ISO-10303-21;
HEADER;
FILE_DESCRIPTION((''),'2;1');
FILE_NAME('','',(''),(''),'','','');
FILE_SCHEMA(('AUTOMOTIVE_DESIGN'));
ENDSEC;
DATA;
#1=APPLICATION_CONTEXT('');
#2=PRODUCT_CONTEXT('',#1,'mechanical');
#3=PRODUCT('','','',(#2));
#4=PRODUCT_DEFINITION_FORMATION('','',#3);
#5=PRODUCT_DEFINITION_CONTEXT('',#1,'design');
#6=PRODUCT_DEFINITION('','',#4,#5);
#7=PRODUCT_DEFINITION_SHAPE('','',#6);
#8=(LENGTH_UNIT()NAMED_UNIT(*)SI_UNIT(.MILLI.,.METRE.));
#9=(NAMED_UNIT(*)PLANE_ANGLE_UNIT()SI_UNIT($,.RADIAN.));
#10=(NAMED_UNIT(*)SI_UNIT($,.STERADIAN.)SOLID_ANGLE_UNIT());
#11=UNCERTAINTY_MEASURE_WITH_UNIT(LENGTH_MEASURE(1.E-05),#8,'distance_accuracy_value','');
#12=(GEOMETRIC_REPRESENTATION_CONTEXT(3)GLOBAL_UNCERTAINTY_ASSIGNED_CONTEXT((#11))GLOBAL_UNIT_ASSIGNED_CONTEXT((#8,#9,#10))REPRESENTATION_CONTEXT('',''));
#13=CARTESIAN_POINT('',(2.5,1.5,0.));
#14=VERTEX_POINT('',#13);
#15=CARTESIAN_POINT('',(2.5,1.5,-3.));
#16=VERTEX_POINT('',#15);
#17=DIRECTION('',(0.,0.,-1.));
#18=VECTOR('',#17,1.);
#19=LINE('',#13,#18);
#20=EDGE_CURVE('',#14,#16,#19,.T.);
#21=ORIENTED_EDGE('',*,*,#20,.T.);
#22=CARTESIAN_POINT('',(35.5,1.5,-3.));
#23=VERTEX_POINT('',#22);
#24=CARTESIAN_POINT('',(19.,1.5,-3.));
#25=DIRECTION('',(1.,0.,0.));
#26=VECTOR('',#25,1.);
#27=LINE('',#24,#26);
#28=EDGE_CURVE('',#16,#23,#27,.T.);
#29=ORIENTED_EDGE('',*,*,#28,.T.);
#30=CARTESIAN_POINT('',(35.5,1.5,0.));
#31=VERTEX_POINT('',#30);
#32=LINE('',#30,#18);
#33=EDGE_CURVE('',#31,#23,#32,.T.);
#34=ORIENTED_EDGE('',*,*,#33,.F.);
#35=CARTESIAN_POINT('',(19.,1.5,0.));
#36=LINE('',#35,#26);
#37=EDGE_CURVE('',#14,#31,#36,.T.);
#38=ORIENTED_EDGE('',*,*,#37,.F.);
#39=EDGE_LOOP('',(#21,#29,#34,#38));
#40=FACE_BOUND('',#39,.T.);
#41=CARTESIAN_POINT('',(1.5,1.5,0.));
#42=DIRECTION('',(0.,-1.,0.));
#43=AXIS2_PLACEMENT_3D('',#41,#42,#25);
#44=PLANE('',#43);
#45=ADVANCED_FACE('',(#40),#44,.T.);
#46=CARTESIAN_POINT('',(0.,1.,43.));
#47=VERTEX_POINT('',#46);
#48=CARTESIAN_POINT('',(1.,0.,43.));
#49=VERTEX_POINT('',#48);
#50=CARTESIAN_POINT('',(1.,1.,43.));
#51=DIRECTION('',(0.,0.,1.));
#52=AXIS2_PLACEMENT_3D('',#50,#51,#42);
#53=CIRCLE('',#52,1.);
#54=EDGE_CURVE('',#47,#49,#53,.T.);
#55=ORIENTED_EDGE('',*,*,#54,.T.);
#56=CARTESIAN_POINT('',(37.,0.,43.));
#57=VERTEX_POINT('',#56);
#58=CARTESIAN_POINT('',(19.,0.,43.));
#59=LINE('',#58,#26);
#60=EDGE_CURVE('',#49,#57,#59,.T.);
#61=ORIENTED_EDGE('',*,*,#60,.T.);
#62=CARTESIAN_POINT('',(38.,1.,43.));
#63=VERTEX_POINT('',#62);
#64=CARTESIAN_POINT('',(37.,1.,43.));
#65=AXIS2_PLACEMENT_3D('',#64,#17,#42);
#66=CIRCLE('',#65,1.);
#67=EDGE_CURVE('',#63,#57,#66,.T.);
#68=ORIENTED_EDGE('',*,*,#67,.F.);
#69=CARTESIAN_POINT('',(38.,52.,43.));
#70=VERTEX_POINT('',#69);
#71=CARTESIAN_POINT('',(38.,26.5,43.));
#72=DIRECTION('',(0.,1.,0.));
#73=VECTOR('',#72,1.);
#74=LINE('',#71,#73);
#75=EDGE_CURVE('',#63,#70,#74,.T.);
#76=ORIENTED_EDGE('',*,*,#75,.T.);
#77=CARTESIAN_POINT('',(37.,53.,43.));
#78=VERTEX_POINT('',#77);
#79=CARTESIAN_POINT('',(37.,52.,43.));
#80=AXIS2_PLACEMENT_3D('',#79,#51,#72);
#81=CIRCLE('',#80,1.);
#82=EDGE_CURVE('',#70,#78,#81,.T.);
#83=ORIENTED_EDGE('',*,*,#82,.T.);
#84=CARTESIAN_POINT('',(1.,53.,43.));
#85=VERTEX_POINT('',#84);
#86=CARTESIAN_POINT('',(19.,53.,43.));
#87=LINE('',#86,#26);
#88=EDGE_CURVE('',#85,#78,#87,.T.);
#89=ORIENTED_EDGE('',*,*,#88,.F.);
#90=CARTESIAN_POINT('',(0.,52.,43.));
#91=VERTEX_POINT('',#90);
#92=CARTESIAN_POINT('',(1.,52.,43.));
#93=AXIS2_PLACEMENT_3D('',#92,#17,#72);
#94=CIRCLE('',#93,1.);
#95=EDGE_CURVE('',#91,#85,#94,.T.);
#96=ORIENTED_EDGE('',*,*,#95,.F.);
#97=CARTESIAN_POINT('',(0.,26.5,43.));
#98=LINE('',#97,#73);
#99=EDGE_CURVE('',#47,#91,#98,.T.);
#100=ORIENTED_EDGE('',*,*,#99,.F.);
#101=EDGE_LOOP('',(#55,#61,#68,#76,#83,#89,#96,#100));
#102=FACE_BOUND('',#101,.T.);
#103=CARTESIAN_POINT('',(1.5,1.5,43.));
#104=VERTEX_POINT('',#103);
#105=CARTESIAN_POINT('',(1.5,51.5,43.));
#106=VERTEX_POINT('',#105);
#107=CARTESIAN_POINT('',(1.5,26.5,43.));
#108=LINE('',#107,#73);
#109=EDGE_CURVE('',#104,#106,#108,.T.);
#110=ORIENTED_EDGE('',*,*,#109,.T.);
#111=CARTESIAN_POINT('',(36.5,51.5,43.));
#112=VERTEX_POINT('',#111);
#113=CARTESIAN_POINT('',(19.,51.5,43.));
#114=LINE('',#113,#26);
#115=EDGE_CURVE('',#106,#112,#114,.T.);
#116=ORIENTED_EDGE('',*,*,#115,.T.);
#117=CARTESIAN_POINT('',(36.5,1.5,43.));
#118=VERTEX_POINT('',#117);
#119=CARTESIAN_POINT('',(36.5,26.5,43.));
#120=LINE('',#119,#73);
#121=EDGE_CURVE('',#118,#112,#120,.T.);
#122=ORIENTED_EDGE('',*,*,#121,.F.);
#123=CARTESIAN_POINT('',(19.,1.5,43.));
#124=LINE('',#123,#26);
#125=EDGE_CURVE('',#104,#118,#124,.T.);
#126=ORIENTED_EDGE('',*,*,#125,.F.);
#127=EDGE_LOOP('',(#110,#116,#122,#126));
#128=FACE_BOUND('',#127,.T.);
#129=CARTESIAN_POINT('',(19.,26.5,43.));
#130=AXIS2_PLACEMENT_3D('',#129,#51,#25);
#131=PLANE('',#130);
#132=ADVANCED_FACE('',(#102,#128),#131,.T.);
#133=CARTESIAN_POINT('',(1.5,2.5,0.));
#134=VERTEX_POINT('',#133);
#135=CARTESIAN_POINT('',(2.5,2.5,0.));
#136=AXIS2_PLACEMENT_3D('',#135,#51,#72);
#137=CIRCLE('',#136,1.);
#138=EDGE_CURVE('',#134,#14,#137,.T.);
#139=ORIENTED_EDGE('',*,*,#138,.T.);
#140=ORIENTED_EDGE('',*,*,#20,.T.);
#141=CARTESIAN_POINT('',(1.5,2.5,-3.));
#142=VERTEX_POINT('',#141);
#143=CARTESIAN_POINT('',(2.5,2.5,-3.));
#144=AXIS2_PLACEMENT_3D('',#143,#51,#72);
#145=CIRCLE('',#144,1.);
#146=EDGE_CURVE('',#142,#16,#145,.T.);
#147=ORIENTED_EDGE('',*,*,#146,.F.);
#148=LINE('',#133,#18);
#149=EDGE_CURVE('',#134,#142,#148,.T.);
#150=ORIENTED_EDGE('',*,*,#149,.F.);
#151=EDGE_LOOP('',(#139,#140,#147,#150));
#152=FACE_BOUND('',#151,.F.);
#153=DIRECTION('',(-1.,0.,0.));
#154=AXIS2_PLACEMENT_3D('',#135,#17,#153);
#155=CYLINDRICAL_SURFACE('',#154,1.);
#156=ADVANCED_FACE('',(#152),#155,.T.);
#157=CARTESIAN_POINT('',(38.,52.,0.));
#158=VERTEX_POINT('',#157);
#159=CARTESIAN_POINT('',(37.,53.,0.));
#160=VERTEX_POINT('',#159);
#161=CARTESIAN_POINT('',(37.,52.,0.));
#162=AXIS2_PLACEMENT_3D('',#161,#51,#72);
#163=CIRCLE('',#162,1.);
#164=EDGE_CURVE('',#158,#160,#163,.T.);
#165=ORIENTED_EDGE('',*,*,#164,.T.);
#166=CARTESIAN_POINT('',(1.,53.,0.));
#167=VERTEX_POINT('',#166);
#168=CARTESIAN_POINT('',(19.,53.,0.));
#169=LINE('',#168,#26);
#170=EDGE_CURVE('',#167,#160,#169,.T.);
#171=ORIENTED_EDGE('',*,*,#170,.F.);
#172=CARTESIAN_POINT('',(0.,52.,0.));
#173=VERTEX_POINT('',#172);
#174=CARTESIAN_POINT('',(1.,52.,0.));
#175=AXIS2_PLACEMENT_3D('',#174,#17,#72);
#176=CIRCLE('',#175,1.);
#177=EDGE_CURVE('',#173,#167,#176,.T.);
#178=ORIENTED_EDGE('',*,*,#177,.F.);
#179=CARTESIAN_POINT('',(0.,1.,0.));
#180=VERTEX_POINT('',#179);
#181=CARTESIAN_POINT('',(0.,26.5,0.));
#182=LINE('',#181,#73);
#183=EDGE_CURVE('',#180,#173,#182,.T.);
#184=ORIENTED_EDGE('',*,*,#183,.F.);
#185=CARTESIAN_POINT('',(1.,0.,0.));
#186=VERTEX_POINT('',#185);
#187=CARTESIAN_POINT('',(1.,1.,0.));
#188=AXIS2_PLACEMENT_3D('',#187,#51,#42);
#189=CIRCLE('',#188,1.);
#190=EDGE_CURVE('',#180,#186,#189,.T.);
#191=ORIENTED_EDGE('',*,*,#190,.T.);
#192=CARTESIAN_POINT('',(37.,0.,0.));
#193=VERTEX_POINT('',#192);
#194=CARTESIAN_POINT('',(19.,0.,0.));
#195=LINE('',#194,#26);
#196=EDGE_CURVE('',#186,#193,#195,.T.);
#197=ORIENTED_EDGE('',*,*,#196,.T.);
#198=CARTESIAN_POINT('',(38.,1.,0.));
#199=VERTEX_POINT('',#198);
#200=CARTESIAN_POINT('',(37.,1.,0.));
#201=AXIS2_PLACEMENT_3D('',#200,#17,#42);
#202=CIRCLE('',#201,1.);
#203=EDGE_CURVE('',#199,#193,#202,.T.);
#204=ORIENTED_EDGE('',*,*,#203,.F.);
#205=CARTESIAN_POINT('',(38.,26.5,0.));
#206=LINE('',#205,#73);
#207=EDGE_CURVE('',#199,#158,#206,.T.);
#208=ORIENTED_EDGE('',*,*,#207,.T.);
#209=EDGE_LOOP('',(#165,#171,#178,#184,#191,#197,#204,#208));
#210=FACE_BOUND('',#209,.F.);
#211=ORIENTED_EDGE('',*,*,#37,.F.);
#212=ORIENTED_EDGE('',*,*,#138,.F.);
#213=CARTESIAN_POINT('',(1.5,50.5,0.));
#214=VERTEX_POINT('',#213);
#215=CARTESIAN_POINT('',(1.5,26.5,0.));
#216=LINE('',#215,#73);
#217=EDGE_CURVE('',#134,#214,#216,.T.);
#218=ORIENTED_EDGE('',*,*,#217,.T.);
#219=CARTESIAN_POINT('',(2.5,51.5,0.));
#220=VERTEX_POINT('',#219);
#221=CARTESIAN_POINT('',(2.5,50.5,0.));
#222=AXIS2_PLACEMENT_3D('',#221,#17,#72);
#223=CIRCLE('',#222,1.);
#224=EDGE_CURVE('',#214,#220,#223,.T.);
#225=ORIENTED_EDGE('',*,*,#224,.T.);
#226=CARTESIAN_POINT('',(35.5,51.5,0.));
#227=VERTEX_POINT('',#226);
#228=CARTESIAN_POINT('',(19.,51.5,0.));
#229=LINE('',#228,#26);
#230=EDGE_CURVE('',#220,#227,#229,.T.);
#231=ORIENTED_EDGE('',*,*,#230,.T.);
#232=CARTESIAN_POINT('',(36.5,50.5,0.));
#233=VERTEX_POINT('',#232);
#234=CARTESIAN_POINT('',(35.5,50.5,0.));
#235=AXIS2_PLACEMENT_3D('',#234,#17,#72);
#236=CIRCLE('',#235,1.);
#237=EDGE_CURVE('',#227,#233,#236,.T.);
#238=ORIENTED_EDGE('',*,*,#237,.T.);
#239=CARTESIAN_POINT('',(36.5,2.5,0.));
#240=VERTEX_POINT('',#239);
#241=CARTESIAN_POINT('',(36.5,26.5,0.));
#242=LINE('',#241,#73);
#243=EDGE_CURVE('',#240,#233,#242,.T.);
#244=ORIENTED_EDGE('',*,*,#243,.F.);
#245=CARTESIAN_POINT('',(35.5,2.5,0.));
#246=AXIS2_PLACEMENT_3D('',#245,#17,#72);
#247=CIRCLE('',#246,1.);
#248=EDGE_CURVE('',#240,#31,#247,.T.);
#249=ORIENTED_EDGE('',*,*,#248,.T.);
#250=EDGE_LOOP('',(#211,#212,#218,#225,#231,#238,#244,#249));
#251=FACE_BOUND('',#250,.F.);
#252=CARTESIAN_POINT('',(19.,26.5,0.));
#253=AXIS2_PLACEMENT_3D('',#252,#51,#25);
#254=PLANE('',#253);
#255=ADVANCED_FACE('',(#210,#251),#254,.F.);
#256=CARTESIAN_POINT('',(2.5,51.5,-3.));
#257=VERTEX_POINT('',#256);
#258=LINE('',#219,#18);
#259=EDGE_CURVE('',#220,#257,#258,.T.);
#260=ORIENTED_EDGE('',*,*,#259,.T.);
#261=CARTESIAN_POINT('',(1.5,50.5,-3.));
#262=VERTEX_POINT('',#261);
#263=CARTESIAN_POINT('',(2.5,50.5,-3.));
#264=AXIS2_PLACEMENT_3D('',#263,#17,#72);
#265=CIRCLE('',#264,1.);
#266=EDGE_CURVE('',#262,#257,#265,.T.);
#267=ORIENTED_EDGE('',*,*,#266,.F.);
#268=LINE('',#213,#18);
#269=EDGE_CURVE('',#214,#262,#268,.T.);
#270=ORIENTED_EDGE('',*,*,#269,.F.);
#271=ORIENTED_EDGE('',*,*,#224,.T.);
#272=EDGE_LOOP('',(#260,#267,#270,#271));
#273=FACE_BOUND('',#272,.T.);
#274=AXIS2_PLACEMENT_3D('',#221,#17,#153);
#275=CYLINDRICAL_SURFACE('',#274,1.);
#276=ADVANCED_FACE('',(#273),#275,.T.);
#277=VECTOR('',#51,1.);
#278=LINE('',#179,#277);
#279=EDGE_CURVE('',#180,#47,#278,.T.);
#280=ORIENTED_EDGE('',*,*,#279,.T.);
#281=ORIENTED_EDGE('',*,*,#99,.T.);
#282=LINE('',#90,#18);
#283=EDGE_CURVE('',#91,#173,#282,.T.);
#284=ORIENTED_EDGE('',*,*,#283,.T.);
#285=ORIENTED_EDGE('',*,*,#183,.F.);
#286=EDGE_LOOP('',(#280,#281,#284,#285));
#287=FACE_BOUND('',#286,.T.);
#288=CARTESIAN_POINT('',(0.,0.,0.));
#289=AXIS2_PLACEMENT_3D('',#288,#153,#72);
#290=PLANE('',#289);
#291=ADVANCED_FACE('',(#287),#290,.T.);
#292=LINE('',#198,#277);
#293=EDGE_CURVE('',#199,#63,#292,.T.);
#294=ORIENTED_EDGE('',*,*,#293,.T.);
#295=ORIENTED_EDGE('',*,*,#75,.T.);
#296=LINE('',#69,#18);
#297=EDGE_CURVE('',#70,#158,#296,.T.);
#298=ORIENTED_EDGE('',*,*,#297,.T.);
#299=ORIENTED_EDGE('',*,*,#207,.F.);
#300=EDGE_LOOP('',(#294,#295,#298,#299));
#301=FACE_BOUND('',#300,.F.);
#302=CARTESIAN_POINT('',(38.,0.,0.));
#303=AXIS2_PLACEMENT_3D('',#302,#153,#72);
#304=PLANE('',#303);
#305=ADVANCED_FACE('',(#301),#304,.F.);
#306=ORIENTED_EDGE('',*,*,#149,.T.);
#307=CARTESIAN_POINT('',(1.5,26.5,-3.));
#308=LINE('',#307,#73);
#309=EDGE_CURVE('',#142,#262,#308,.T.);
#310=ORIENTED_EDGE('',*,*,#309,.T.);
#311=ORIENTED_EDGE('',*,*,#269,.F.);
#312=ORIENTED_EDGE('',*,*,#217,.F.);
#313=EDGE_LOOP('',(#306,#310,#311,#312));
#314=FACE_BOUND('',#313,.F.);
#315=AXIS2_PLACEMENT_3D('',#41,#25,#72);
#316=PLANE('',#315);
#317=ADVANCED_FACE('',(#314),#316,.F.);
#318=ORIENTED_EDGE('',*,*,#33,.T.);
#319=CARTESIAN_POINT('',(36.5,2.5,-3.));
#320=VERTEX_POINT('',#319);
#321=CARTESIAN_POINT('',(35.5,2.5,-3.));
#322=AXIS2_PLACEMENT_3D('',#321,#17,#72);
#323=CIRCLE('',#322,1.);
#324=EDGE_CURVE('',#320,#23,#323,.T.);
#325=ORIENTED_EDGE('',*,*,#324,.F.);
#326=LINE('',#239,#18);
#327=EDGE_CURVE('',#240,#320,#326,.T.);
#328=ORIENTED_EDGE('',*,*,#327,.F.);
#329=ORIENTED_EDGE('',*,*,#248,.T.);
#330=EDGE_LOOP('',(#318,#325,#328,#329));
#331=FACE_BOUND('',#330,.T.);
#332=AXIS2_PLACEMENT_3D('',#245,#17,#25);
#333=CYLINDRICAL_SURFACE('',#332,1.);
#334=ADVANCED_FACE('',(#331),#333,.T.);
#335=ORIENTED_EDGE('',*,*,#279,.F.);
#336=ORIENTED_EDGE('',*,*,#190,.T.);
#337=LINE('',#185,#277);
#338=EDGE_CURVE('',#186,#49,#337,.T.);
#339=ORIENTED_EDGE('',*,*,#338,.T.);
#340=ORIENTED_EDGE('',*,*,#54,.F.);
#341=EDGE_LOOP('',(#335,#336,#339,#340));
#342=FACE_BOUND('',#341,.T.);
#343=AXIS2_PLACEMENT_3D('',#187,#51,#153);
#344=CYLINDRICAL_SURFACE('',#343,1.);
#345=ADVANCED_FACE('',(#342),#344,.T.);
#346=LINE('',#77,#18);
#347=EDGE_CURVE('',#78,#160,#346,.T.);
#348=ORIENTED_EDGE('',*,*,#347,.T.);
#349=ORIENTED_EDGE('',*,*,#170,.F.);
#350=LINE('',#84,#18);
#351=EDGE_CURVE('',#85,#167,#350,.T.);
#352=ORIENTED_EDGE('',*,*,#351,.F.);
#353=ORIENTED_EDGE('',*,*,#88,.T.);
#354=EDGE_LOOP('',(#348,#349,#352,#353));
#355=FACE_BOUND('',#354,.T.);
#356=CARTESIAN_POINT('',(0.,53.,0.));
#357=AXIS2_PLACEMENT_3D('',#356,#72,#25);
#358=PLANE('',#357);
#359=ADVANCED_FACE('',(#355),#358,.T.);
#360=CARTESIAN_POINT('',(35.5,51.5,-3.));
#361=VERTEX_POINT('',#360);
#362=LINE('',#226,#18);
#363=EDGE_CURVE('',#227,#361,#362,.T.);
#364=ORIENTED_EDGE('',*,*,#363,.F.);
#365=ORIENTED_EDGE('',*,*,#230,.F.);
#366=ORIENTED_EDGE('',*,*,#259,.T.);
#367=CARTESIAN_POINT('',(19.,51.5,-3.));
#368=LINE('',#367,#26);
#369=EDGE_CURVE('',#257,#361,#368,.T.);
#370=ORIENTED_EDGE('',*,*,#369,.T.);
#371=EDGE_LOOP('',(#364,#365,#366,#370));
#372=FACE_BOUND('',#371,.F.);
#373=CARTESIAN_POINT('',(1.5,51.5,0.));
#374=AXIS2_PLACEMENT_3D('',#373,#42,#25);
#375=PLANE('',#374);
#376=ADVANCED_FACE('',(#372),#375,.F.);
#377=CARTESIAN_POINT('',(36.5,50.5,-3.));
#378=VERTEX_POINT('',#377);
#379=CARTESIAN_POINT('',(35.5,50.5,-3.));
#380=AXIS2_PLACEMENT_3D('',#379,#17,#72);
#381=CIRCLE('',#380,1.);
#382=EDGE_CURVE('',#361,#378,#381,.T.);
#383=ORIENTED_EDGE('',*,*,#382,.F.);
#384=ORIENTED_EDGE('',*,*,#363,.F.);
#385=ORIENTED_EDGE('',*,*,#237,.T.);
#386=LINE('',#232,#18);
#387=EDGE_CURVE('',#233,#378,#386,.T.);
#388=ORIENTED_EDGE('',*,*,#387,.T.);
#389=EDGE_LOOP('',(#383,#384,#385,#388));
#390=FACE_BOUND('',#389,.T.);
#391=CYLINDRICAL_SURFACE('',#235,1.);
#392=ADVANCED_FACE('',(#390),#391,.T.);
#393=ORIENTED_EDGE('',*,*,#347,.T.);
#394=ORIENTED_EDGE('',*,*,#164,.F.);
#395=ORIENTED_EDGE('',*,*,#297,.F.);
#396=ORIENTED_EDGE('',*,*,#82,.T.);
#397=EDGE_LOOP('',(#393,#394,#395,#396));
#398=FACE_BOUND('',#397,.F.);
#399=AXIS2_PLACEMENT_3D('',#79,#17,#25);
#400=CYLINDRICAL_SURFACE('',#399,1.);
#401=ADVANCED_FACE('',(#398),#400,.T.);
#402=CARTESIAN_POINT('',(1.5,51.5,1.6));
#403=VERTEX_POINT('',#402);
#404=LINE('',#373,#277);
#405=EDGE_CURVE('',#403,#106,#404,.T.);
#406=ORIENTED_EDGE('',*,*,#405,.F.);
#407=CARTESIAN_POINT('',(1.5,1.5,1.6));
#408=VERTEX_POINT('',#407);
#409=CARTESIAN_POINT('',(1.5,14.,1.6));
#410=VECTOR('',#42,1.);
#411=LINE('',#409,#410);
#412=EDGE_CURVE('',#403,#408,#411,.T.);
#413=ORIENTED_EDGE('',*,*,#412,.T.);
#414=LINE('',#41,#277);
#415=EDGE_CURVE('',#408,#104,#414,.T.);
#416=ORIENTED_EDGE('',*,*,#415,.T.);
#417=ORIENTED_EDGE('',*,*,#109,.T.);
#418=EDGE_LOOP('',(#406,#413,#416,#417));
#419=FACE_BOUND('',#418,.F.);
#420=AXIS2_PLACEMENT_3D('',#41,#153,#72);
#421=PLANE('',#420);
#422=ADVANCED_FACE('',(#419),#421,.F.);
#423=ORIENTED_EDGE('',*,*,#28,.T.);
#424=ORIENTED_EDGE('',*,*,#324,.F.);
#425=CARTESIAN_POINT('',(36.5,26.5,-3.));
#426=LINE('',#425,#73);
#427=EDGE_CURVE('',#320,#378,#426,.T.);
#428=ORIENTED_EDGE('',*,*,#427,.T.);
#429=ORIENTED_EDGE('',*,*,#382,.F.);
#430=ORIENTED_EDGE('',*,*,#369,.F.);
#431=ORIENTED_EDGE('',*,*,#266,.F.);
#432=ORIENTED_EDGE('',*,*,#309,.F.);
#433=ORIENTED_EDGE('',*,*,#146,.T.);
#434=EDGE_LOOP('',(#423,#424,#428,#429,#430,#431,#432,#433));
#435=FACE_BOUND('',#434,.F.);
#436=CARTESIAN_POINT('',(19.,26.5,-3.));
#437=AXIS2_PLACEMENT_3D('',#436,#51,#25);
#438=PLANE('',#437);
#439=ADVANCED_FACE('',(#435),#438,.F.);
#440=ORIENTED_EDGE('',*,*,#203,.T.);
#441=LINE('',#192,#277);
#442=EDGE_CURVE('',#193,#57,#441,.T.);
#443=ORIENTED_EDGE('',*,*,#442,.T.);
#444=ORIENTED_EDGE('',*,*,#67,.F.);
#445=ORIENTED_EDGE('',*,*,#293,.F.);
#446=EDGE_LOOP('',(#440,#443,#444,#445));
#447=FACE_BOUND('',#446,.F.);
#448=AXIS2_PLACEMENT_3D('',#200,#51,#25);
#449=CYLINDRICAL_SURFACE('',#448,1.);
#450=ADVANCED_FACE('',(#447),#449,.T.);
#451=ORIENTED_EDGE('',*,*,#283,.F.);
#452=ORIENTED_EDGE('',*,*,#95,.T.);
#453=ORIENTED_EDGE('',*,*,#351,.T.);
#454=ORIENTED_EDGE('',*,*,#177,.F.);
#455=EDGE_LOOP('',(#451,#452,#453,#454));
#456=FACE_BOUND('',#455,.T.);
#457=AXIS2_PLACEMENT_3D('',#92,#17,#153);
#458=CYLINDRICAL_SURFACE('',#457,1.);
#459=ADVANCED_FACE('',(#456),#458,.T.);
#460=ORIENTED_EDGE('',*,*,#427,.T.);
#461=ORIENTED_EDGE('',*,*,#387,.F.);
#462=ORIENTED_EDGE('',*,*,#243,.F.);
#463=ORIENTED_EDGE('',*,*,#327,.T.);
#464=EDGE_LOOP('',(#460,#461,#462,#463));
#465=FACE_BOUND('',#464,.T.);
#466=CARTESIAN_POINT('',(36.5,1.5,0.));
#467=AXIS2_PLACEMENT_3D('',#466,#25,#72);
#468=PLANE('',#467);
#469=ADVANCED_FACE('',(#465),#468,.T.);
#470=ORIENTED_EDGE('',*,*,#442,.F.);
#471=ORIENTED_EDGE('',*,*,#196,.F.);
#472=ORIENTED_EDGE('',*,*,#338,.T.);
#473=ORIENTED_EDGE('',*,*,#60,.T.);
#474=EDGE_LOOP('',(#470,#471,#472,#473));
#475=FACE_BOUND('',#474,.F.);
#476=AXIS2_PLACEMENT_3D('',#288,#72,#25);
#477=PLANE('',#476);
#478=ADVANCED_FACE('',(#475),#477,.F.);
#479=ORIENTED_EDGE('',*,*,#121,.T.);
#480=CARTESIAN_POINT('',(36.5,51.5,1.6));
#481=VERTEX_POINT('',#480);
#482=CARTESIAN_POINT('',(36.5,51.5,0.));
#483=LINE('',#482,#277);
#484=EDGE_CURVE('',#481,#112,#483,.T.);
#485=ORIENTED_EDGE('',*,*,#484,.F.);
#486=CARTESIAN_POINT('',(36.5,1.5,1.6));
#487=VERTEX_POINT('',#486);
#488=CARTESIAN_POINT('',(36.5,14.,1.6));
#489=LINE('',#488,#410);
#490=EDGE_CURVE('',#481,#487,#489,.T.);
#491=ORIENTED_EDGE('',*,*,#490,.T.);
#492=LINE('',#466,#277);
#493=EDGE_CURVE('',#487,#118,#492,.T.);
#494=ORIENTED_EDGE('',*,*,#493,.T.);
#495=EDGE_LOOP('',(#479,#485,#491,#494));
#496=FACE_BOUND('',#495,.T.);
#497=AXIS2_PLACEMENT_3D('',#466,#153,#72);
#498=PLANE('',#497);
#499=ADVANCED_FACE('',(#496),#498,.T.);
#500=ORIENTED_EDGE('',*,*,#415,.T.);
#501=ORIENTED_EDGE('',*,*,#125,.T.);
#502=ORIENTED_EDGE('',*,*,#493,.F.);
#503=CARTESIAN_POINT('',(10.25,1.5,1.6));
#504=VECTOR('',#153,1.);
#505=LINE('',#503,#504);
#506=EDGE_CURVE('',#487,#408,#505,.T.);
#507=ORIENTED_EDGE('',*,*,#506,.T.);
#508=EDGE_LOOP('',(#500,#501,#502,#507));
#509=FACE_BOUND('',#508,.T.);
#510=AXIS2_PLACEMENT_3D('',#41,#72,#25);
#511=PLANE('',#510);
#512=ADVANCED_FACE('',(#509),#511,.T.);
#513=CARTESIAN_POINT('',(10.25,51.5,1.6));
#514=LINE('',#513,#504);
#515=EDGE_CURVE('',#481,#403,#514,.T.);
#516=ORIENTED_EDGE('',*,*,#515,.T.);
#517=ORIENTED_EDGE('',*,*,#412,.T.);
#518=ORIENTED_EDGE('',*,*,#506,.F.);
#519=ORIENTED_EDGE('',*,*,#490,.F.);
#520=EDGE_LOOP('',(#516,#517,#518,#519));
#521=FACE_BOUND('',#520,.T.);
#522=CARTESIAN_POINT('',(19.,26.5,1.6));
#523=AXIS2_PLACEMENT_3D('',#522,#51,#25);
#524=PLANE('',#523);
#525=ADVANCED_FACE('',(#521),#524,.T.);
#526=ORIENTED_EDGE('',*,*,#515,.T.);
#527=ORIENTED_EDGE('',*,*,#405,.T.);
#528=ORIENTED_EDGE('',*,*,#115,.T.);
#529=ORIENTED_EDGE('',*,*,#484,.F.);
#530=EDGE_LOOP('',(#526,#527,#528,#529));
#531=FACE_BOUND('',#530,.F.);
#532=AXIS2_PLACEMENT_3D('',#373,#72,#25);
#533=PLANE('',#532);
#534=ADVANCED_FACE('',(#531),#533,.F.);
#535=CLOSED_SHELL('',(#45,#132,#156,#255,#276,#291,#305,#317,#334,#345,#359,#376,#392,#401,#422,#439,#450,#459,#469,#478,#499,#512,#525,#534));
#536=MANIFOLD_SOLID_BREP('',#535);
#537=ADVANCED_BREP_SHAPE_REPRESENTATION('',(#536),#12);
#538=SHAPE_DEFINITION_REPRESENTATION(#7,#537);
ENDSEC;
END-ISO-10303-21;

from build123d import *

# Parameters (mm, degrees)
F0_W     = 35
F0_H     = 50
F1_DEPTH = 3
F0_W_2   = 38
F0_H_2   = 53
F2_DEPTH = 1.6
F3_DEPTH = 43
F4_R     = 1


with BuildPart() as f1:
    # F0 (on Top) → F1 (new body)
    with BuildSketch(Plane.XY):
        with Locations((19, 26.5)):
            Rectangle(F0_W, F0_H)
    extrude(amount=-F1_DEPTH)

    # F0 (on Top) → F2 (join)
    with BuildSketch(Plane.XY):
        with Locations((19, 26.5)):
            Rectangle(F0_W_2, F0_H_2)
        with Locations((19, 26.5)):
            Rectangle(F0_W, F0_H, mode=Mode.SUBTRACT)
        with Locations((19, 26.5)):
            Rectangle(F0_W, F0_H)
    extrude(amount=F2_DEPTH)

    # F0 (on Top) → F3 (join)
    with BuildSketch(Plane.XY):
        with Locations((19, 26.5)):
            Rectangle(F0_W_2, F0_H_2)
        with Locations((19, 26.5)):
            Rectangle(F0_W, F0_H, mode=Mode.SUBTRACT)
    extrude(amount=F3_DEPTH)

    # F4
    f4_edges = [f1.edges().sort_by_distance(p)[0] for p in [
        (36.5, 1.5, -1.5),
        (1.5, 1.5, -1.5),
        (1.5, 51.5, -1.5),
        (36.5, 51.5, -1.5),
        (0, 53, 21.5),
        (38, 53, 21.5),
        (0, 0, 21.5),
        (38, 0, 21.5),
    ]]
    fillet(f4_edges, radius=F4_R)


solid = f1.part
